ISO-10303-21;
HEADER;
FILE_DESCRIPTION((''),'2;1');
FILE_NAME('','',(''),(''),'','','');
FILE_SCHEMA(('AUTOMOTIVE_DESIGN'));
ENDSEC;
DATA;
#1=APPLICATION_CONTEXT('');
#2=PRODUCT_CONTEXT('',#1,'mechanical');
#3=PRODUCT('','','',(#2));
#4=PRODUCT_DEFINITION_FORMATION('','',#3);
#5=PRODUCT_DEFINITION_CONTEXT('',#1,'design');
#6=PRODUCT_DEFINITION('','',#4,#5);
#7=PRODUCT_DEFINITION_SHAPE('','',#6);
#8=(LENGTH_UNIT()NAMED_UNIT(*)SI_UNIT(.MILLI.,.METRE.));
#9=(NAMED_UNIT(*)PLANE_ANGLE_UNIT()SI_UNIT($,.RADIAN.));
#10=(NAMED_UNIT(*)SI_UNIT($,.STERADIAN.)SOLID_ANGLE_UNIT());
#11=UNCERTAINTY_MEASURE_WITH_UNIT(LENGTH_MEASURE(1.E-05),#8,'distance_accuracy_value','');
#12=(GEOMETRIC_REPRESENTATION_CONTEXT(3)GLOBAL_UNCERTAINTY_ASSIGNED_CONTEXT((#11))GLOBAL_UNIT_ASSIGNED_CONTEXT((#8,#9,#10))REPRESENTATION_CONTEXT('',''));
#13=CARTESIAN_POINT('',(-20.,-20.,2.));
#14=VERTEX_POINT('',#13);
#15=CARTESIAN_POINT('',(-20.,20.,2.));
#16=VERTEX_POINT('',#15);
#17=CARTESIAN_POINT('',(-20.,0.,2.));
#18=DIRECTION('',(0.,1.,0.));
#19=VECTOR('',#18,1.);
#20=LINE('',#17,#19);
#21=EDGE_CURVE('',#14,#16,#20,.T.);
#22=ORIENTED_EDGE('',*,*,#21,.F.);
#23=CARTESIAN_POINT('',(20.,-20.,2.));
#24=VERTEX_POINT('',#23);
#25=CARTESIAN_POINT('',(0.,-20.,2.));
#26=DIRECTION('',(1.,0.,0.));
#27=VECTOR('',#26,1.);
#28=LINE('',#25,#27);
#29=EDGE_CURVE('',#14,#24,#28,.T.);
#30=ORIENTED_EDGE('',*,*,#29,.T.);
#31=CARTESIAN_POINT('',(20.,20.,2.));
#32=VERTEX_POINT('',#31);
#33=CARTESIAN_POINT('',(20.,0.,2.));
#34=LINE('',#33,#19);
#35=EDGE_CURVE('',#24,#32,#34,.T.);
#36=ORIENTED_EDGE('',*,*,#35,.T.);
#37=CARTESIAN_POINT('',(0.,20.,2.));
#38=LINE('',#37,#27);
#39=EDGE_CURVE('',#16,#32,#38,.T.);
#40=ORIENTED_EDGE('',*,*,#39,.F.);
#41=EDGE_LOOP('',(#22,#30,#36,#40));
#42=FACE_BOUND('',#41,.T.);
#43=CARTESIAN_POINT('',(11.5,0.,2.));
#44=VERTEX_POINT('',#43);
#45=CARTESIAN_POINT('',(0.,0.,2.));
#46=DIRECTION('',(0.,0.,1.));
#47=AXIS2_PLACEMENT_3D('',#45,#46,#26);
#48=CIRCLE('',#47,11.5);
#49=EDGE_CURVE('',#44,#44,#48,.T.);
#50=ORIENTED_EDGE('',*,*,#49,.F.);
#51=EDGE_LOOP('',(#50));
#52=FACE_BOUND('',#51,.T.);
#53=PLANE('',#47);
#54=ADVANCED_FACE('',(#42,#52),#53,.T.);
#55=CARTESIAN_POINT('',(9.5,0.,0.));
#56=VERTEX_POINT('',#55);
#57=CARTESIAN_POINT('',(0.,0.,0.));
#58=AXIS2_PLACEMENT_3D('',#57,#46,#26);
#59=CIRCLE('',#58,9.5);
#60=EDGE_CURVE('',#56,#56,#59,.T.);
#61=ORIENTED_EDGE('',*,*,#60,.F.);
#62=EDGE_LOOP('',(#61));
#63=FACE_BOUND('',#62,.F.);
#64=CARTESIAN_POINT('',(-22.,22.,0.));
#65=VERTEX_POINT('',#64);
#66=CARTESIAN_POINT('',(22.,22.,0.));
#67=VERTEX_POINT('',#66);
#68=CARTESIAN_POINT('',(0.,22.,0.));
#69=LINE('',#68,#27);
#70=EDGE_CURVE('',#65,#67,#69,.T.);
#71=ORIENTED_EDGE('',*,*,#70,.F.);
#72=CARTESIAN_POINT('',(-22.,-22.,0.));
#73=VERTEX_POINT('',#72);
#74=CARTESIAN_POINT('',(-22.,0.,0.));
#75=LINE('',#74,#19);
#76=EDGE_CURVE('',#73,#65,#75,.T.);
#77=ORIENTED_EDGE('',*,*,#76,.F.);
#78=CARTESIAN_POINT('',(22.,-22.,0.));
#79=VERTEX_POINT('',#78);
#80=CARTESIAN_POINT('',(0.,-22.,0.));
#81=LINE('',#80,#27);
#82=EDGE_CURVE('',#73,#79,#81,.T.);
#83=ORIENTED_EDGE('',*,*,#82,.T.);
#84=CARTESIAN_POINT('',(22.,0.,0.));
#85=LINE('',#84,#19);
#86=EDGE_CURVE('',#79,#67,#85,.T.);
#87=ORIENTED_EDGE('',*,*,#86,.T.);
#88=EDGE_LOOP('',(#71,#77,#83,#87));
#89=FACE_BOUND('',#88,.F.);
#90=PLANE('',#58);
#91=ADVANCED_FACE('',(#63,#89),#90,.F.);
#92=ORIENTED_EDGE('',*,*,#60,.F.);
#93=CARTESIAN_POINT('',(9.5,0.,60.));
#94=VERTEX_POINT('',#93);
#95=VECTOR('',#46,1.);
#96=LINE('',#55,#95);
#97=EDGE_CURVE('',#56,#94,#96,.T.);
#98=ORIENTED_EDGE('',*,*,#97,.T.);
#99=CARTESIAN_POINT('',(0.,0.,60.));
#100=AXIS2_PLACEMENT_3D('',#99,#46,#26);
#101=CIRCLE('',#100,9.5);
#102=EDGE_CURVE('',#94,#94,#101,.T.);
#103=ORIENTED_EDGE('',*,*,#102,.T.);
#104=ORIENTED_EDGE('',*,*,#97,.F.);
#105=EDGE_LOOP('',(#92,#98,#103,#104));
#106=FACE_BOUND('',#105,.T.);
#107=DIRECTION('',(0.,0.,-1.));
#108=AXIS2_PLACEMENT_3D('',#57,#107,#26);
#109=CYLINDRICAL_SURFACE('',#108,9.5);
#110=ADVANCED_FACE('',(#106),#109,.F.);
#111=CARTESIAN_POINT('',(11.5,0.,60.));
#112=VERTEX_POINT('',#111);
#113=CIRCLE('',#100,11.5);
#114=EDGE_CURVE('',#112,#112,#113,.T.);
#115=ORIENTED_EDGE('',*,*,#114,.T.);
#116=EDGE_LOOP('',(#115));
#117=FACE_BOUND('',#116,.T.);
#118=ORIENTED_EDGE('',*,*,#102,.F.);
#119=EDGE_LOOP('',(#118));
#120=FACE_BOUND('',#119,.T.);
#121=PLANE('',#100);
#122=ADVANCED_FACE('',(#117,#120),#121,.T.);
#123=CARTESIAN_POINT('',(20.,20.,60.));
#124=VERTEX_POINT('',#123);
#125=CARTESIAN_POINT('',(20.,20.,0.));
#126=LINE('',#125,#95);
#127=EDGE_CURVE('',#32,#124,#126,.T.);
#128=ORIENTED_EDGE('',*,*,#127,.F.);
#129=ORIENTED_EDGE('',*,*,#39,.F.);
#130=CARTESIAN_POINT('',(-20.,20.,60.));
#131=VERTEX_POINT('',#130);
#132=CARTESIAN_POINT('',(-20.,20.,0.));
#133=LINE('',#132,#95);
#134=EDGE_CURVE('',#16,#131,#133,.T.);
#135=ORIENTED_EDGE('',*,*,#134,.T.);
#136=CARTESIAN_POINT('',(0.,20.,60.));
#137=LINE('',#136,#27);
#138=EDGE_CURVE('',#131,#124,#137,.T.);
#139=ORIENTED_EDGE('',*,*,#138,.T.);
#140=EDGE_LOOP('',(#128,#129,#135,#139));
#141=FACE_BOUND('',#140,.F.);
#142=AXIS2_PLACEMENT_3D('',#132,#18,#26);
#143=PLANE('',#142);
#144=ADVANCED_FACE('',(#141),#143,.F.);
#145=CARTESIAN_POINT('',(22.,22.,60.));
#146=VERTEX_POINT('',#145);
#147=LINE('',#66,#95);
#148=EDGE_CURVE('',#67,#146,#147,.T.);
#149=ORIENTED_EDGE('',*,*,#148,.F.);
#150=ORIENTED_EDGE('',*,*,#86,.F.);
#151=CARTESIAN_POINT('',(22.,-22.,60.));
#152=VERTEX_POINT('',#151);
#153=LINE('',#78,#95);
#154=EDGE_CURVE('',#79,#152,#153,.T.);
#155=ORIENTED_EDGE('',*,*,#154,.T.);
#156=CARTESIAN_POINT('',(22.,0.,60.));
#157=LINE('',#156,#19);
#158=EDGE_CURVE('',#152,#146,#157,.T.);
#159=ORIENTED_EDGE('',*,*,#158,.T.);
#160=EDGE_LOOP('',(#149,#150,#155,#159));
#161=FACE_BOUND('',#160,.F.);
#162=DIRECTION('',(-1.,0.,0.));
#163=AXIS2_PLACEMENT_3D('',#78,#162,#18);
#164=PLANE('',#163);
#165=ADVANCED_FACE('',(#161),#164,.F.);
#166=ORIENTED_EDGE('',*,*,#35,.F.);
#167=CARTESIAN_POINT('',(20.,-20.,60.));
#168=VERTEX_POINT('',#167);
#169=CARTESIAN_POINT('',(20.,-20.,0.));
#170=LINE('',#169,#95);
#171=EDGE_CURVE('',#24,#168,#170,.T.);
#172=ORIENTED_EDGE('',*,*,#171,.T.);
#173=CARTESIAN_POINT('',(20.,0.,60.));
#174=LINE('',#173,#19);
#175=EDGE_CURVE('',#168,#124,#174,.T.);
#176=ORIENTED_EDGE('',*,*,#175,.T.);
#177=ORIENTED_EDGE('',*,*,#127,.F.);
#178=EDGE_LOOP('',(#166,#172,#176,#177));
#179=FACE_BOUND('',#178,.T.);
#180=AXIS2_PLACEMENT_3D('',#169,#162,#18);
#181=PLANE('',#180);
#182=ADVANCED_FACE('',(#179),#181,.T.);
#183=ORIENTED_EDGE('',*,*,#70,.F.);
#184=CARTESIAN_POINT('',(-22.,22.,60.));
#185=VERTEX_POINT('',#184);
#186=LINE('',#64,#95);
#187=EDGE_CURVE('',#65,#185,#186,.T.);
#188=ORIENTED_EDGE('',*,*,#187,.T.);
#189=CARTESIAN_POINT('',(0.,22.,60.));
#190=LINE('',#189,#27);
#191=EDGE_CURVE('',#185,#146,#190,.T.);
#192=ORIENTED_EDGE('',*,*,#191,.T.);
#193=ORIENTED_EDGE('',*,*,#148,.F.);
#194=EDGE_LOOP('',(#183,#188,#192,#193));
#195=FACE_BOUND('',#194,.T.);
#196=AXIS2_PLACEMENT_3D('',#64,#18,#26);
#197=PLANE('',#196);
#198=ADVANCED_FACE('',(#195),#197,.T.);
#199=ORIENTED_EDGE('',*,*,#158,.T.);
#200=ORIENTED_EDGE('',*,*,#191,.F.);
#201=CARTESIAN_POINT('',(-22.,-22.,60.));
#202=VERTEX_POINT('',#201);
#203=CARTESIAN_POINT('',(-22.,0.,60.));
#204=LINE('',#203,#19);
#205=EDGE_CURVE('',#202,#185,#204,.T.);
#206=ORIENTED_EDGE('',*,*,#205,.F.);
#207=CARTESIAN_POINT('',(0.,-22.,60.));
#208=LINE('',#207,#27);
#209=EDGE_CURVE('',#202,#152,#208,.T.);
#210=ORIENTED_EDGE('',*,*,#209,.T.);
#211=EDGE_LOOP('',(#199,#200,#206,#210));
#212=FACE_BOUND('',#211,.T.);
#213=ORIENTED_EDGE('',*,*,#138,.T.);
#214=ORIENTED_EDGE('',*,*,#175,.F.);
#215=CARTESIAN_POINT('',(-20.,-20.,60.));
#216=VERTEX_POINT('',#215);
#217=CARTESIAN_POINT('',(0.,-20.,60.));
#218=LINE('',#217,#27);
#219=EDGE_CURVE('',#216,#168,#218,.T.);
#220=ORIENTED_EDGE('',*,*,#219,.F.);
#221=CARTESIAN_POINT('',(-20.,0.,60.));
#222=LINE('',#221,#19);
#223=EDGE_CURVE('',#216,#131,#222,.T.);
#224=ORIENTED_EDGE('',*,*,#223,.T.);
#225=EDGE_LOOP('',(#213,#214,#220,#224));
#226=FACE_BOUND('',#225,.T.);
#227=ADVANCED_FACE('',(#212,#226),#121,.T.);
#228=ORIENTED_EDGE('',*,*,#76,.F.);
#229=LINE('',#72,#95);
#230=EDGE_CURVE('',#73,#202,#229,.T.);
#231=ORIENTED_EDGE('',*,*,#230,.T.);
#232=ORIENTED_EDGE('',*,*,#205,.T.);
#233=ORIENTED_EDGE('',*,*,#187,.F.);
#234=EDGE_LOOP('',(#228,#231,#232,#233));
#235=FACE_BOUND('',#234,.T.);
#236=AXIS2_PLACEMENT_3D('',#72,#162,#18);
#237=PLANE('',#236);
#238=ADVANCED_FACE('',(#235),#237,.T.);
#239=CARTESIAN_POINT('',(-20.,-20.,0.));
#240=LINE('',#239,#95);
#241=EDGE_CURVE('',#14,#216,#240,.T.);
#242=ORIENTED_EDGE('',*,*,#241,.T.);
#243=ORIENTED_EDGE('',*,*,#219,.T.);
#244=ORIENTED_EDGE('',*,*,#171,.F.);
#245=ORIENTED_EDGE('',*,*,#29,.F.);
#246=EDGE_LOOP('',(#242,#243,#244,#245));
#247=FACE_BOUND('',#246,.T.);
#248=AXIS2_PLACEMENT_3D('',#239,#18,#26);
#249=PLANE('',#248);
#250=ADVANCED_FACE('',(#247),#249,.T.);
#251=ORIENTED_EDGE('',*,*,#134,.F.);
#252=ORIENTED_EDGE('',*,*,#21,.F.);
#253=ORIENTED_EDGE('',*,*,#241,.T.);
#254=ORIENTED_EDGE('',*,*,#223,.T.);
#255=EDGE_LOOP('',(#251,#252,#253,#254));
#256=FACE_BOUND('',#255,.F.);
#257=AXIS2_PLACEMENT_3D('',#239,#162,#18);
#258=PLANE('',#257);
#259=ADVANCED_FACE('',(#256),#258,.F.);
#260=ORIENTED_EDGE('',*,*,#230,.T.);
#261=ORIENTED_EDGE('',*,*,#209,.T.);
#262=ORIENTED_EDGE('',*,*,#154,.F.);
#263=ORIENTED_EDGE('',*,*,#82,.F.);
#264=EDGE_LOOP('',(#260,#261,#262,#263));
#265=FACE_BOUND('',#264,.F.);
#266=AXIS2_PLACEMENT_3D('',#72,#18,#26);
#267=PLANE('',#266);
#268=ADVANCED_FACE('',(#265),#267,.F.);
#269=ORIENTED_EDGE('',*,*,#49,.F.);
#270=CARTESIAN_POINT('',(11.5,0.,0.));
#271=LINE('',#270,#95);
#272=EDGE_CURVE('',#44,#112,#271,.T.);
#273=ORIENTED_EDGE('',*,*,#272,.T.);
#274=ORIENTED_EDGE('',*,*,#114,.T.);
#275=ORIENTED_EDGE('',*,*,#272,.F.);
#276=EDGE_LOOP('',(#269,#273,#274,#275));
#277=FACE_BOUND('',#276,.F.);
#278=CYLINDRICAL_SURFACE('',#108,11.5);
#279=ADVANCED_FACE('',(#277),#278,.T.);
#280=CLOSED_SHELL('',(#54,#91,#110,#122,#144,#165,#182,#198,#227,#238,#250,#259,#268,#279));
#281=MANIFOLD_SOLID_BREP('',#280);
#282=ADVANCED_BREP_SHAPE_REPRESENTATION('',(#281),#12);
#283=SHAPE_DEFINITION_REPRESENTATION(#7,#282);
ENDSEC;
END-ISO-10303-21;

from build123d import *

# Parameters (mm, degrees)
F0_R     = 11.5
F0_R_2   = 9.5
F1_DEPTH = 60
F0_W     = 44
F0_H     = 44
F0_W_2   = 40
F0_H_2   = 40
F2_DEPTH = 60
F3_DEPTH = 2


with BuildPart() as f1:
    # F0 (on Top) → F1 (new body)
    with BuildSketch(Plane.XY):
        Circle(F0_R)
        Circle(F0_R_2, mode=Mode.SUBTRACT)
    extrude(amount=F1_DEPTH)



with BuildPart() as f2:
    # F0 (on Top) → F2 (new body)
    with BuildSketch(Plane.XY):
        Rectangle(F0_W, F0_H)
        Rectangle(F0_W_2, F0_H_2, mode=Mode.SUBTRACT)
    extrude(amount=F2_DEPTH)


with BuildPart() as f1_1:
    add(f1.part)

    add(f2.part)  # F3 merges F2
    # F0 (on Top) → F3 (join)
    with BuildSketch(Plane.XY):
        Rectangle(F0_W_2, F0_H_2)
        Circle(F0_R, mode=Mode.SUBTRACT)
    extrude(amount=F3_DEPTH)


solid = f1_1.part
